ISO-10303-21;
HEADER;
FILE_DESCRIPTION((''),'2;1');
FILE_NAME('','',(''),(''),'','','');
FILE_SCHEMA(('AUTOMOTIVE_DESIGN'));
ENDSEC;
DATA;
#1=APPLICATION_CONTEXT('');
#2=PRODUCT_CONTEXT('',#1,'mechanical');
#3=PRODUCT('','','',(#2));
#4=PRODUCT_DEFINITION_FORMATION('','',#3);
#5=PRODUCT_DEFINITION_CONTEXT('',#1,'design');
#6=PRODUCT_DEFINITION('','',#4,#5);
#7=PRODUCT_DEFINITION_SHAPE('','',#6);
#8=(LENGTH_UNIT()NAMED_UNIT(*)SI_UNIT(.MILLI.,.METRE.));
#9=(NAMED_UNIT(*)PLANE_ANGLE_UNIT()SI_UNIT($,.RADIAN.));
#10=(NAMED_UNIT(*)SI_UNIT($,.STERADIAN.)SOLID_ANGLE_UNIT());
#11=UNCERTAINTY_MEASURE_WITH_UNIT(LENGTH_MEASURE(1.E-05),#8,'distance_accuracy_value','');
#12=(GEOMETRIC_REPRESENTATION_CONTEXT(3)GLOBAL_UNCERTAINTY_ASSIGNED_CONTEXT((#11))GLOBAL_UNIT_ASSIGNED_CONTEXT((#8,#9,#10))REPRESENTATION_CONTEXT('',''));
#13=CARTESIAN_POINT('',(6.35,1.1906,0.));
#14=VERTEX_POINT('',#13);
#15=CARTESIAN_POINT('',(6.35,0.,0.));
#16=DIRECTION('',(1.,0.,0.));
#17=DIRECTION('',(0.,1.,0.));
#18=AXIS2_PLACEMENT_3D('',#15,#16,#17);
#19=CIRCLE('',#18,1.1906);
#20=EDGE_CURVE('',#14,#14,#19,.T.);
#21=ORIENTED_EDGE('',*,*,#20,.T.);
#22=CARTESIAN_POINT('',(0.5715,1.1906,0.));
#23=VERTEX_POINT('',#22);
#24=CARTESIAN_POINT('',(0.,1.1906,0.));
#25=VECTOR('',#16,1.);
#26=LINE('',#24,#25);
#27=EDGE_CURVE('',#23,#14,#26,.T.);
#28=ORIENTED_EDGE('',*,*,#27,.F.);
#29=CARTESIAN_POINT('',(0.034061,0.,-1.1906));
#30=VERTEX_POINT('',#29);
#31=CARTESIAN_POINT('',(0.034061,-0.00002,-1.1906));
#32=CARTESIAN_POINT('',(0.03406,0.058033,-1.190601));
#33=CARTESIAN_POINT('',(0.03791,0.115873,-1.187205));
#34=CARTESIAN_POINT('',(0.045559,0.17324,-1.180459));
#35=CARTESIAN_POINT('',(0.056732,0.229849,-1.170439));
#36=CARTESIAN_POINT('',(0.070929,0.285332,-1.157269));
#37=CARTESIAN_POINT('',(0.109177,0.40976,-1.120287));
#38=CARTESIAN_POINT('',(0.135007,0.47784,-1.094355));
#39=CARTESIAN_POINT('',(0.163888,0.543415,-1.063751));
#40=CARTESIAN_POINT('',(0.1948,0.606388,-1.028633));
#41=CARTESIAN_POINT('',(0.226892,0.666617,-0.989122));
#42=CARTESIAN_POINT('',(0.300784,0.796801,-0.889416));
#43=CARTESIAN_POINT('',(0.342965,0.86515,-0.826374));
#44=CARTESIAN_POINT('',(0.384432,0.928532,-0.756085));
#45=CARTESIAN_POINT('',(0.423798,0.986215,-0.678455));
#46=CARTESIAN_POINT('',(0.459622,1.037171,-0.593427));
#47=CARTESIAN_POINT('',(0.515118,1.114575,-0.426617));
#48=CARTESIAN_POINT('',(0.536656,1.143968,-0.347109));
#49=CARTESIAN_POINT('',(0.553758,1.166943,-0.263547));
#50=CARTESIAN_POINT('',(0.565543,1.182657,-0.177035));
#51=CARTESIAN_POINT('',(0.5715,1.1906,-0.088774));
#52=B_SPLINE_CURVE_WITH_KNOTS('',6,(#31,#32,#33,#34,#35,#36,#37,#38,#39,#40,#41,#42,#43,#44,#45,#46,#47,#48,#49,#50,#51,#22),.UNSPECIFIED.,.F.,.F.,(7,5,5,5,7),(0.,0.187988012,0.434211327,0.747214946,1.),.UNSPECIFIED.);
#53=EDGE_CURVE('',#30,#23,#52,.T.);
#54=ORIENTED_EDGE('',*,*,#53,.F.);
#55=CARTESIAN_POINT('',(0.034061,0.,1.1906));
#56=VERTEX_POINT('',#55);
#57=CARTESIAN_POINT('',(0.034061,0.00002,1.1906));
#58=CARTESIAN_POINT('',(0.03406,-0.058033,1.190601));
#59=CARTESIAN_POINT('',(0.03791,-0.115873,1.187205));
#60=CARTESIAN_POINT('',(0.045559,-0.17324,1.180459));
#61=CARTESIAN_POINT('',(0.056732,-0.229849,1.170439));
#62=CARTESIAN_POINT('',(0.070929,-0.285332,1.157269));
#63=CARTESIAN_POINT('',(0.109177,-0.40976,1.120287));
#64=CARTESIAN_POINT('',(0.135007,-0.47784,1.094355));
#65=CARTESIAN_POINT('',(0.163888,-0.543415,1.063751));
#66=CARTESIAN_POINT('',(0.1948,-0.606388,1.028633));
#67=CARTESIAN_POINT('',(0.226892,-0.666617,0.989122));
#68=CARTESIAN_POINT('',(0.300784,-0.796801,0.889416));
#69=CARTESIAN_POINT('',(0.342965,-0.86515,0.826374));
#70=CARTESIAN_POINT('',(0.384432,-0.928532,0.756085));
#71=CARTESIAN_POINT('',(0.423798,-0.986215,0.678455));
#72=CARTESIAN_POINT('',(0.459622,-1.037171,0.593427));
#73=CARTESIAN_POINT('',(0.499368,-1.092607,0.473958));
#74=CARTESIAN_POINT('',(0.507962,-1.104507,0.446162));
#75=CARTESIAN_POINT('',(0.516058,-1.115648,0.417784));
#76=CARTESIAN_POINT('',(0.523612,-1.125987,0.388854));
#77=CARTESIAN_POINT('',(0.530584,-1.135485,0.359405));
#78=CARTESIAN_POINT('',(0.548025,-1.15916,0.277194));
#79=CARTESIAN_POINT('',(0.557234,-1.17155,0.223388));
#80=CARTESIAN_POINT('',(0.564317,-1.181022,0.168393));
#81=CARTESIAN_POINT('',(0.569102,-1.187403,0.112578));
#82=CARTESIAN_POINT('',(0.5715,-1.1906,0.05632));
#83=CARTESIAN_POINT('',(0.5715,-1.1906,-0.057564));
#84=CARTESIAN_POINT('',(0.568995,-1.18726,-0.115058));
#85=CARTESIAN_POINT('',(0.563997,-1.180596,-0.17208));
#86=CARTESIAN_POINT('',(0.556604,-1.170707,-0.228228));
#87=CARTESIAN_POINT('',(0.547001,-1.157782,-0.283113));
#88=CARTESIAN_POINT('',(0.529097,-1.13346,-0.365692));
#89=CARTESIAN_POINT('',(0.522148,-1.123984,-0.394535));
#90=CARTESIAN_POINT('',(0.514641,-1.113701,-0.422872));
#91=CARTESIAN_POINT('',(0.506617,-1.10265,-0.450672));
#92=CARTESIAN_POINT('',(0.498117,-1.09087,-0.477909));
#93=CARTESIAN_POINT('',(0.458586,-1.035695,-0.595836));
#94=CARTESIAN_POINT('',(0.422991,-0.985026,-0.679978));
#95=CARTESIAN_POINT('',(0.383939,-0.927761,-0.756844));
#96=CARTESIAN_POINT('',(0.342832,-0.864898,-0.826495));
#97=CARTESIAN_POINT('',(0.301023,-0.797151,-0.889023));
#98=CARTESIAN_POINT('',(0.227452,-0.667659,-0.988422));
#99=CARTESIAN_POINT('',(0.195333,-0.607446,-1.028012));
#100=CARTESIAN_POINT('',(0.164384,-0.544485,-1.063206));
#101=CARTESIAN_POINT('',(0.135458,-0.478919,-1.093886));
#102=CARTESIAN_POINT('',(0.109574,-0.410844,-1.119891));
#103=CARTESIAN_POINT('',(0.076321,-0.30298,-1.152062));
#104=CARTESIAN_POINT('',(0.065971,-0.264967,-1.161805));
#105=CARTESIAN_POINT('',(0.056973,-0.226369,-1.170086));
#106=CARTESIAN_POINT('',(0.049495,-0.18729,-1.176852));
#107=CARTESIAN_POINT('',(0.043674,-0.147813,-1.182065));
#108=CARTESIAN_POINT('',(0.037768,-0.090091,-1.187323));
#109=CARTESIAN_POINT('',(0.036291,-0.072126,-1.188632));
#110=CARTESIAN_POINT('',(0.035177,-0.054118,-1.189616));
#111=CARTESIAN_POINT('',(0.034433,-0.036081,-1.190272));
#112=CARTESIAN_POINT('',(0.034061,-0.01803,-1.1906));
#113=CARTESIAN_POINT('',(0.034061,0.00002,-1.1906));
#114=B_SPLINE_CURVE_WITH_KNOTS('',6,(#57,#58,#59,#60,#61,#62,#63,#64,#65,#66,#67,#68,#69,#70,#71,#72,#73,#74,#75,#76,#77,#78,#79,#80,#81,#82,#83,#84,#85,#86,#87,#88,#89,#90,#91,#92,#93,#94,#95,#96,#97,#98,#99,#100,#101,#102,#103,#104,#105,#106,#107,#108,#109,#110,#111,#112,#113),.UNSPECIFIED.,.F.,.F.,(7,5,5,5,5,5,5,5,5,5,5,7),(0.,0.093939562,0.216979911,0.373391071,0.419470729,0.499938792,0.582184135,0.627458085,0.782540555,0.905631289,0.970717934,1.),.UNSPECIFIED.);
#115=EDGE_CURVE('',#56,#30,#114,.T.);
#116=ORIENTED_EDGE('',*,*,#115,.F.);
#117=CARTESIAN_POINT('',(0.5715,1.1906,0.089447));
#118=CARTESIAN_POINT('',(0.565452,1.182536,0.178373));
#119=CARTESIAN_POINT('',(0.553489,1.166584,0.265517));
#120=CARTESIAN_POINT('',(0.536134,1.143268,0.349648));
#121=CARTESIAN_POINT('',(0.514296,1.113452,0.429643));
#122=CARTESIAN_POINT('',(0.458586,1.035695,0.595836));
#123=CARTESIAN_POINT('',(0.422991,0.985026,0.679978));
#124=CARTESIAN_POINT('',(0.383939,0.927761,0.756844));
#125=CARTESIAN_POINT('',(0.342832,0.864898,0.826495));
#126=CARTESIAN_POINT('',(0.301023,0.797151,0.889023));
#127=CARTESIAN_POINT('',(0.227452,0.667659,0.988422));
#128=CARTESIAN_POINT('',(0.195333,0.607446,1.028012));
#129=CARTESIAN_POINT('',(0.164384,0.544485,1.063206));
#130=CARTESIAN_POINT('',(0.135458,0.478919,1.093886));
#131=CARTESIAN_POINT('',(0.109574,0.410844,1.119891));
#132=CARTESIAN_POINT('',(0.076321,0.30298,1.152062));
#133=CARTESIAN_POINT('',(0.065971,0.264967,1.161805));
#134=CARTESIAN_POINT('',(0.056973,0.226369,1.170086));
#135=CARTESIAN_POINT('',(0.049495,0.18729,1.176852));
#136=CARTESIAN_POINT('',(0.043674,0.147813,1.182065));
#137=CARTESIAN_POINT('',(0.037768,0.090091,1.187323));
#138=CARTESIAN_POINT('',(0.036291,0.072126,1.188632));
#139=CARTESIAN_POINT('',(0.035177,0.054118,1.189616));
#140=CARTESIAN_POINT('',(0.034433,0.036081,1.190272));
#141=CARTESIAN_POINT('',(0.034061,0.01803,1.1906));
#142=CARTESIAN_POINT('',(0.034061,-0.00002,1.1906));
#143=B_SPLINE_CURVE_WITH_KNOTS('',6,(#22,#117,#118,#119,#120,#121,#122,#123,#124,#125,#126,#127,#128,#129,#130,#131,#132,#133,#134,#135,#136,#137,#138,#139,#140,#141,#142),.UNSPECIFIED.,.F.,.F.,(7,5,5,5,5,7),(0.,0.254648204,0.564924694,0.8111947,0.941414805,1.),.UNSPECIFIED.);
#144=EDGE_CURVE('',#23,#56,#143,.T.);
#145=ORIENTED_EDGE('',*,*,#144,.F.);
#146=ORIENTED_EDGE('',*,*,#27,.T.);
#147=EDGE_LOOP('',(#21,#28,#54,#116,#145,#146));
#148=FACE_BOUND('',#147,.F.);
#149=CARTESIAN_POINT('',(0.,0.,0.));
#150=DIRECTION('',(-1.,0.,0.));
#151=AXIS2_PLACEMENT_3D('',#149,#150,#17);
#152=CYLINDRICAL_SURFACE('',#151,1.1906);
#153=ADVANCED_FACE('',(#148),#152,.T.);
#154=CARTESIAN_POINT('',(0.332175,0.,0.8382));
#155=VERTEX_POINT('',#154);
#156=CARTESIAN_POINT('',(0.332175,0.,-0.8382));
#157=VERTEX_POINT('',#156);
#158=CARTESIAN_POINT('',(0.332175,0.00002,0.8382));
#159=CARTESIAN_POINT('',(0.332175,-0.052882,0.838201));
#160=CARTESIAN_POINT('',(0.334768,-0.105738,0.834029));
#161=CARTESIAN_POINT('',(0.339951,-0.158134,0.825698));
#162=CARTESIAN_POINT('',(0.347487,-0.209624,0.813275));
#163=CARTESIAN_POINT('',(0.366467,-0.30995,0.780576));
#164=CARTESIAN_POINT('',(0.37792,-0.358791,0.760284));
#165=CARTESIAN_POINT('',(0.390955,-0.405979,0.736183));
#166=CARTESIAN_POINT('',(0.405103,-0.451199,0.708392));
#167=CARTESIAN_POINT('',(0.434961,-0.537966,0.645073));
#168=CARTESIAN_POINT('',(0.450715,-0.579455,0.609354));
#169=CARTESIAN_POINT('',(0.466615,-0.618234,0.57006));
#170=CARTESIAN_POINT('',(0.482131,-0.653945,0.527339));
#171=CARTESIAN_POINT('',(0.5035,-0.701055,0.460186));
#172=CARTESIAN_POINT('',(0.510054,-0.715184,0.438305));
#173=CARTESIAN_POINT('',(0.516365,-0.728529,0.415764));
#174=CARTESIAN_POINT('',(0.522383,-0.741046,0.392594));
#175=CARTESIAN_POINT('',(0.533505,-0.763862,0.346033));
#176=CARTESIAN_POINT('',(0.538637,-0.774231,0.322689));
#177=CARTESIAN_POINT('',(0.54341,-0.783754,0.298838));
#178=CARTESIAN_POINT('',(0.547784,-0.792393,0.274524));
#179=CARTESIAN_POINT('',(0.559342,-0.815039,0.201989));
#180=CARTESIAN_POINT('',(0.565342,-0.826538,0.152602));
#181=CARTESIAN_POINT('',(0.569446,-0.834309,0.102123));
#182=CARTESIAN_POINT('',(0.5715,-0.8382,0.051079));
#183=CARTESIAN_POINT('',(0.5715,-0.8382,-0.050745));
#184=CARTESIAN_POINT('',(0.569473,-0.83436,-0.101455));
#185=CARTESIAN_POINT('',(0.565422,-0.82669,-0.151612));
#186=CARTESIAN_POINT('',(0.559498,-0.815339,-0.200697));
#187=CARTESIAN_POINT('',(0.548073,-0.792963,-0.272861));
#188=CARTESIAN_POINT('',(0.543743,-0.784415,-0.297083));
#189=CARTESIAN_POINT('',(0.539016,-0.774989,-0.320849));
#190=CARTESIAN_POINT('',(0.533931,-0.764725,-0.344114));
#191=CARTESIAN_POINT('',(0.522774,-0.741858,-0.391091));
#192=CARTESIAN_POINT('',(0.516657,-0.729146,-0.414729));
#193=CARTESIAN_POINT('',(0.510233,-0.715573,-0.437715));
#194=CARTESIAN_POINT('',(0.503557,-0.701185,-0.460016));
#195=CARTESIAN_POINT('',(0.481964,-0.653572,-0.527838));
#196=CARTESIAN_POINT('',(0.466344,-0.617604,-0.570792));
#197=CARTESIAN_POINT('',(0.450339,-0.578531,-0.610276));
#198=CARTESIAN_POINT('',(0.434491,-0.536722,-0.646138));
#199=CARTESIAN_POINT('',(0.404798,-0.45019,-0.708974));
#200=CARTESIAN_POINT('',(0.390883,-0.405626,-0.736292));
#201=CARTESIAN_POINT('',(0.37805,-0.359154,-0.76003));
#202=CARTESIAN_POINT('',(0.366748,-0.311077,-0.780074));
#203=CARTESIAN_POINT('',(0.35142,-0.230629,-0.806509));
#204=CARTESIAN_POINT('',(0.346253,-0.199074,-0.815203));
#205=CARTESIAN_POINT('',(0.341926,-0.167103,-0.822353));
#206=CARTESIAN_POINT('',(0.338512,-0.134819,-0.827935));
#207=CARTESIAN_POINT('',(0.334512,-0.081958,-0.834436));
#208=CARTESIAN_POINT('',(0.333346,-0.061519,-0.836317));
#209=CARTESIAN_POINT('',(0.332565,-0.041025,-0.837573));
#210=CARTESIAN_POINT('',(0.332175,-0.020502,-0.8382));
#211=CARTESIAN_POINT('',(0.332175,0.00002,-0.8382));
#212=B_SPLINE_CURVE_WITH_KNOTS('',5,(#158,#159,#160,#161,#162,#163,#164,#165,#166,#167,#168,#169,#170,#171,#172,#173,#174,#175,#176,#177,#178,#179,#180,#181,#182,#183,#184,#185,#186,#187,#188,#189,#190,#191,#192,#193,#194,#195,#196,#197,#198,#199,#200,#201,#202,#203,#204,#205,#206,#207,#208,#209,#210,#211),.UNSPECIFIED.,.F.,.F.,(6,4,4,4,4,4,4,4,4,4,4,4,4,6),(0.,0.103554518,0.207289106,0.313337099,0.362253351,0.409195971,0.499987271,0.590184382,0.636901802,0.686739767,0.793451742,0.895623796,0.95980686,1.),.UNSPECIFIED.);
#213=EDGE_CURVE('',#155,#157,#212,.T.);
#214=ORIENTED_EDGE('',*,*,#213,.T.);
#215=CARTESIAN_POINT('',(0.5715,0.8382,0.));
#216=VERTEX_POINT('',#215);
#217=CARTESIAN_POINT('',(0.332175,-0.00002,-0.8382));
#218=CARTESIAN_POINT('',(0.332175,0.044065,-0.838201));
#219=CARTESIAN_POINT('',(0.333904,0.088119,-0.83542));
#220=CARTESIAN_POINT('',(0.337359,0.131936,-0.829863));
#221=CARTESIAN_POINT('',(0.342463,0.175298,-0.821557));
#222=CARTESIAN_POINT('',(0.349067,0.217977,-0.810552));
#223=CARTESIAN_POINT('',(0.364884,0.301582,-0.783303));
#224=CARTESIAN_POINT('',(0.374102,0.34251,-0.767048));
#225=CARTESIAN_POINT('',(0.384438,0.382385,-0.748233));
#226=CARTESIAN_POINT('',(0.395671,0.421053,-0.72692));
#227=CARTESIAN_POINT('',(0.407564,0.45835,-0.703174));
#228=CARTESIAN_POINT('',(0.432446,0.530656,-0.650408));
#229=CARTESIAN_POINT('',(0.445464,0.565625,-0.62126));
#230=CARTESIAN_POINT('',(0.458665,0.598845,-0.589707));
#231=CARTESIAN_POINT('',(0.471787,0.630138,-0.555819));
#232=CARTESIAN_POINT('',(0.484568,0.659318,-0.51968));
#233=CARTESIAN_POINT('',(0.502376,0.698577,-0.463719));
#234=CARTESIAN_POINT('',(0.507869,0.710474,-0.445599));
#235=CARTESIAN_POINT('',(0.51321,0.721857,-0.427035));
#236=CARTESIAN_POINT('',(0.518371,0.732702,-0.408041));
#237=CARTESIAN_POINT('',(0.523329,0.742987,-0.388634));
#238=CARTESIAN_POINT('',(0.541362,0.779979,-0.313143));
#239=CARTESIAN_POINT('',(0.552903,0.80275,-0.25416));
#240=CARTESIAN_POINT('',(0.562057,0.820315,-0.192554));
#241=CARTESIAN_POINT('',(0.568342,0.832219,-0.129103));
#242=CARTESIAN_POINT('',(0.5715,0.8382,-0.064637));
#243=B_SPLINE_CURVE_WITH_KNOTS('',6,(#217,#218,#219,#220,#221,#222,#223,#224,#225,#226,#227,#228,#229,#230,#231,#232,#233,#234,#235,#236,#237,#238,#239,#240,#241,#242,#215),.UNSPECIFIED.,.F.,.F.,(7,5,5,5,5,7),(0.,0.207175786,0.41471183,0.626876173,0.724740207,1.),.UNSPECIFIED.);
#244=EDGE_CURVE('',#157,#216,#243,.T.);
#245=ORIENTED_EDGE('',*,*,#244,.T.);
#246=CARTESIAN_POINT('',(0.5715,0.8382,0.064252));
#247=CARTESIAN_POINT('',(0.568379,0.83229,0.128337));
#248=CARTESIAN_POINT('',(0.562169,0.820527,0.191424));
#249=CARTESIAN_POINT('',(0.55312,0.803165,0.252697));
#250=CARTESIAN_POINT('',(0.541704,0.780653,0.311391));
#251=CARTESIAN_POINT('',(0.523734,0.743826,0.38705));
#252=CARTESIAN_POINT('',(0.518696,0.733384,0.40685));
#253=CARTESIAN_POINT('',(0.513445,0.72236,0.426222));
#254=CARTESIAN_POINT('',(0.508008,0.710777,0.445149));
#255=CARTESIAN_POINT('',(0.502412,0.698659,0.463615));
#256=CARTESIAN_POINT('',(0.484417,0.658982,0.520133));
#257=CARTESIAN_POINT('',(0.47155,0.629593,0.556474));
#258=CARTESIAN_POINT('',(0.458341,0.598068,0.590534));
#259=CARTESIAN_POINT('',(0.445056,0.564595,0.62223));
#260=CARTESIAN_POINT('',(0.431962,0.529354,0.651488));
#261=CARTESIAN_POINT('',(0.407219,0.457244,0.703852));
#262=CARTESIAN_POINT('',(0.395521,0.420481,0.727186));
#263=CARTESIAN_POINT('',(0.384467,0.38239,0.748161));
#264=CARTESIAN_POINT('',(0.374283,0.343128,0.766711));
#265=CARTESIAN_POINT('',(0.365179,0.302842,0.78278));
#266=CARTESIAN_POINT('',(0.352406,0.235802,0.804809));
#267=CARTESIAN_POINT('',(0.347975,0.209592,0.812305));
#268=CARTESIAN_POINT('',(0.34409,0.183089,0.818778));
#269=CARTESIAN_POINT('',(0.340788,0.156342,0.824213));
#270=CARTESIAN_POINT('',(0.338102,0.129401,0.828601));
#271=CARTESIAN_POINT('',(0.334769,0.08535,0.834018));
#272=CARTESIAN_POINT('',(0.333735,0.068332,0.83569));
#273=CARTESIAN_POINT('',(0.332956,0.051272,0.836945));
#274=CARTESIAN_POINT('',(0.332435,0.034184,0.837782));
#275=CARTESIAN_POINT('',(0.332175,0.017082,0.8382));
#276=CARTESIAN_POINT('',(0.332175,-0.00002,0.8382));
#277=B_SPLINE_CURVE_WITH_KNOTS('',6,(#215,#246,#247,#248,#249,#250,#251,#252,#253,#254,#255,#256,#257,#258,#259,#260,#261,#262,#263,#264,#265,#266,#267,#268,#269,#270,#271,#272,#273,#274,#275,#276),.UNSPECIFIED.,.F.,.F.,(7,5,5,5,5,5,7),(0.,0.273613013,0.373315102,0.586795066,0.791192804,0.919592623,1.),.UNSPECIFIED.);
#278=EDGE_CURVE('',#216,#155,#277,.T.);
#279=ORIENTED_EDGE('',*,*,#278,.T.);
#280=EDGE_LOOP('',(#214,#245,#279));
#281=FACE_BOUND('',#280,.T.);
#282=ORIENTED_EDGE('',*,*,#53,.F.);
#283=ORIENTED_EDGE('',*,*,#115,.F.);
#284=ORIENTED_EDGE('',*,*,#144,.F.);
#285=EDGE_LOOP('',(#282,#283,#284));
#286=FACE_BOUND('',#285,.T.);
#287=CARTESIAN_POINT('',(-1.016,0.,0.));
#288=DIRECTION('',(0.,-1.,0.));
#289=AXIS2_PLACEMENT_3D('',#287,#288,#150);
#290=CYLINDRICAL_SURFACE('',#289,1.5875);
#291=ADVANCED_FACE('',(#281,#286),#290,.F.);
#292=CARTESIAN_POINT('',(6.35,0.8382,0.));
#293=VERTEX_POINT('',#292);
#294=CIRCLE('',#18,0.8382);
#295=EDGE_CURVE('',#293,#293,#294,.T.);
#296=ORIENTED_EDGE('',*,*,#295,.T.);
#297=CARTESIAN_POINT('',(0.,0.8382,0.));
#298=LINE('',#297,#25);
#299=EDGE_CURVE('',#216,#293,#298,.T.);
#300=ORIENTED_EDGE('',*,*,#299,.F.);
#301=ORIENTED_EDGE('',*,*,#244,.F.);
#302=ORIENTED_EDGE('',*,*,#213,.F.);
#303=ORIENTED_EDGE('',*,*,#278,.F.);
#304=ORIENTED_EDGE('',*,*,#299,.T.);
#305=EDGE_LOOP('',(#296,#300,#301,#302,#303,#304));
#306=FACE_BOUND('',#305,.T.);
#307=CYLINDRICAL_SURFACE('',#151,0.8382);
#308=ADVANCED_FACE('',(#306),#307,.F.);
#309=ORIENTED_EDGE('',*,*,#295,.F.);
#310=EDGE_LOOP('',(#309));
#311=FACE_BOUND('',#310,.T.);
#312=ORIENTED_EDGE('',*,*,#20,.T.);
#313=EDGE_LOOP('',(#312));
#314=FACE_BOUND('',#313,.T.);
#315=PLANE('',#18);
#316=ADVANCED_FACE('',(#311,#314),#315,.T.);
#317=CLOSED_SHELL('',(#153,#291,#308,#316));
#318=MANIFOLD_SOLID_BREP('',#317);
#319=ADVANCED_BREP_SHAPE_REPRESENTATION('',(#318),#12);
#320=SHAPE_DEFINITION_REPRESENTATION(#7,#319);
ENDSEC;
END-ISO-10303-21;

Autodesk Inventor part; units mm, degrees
ref_plane "YZ Plane" through (0, 0, 0) normal (1, 0, 0) x (0, 1, 0)
ref_plane "XZ Plane" through (0, 0, 0) normal (0, 1, 0) x (-1, 0, 0)
ref_plane "XY Plane" through (0, 0, 0) normal (0, 0, 1) x (1, 0, 0)
sketch "Sketch1" plane through (0, 0, 0) normal (1, 0, 0) x (0, 1, 0)
  circle A0 centre (0, 0) radius 1.1906
  circle A1 centre (0, 0) radius 0.8382
  dimension "d0" = 2.3813
  dimension "d1" = 1.6764
extrude "Extrusion1" add sketch "Sketch1" along normal blind 6.35
sketch "Sketch2" plane through (0, 0, 0) normal (0, 1, 0) x (-1, 0, 0)
  circle A0 centre (1.016, 0) radius 1.5875
  line L0 (0, 1.1906) -> (0, -1.1906) projected
  point P0 (0, 0)
  dimension "d4" = 3.175
  dimension "d5" = 1.016
extrude "Extrusion2" cut sketch "Sketch2" along normal mid plane 6.35
properties part number "Inlet Manifold"
